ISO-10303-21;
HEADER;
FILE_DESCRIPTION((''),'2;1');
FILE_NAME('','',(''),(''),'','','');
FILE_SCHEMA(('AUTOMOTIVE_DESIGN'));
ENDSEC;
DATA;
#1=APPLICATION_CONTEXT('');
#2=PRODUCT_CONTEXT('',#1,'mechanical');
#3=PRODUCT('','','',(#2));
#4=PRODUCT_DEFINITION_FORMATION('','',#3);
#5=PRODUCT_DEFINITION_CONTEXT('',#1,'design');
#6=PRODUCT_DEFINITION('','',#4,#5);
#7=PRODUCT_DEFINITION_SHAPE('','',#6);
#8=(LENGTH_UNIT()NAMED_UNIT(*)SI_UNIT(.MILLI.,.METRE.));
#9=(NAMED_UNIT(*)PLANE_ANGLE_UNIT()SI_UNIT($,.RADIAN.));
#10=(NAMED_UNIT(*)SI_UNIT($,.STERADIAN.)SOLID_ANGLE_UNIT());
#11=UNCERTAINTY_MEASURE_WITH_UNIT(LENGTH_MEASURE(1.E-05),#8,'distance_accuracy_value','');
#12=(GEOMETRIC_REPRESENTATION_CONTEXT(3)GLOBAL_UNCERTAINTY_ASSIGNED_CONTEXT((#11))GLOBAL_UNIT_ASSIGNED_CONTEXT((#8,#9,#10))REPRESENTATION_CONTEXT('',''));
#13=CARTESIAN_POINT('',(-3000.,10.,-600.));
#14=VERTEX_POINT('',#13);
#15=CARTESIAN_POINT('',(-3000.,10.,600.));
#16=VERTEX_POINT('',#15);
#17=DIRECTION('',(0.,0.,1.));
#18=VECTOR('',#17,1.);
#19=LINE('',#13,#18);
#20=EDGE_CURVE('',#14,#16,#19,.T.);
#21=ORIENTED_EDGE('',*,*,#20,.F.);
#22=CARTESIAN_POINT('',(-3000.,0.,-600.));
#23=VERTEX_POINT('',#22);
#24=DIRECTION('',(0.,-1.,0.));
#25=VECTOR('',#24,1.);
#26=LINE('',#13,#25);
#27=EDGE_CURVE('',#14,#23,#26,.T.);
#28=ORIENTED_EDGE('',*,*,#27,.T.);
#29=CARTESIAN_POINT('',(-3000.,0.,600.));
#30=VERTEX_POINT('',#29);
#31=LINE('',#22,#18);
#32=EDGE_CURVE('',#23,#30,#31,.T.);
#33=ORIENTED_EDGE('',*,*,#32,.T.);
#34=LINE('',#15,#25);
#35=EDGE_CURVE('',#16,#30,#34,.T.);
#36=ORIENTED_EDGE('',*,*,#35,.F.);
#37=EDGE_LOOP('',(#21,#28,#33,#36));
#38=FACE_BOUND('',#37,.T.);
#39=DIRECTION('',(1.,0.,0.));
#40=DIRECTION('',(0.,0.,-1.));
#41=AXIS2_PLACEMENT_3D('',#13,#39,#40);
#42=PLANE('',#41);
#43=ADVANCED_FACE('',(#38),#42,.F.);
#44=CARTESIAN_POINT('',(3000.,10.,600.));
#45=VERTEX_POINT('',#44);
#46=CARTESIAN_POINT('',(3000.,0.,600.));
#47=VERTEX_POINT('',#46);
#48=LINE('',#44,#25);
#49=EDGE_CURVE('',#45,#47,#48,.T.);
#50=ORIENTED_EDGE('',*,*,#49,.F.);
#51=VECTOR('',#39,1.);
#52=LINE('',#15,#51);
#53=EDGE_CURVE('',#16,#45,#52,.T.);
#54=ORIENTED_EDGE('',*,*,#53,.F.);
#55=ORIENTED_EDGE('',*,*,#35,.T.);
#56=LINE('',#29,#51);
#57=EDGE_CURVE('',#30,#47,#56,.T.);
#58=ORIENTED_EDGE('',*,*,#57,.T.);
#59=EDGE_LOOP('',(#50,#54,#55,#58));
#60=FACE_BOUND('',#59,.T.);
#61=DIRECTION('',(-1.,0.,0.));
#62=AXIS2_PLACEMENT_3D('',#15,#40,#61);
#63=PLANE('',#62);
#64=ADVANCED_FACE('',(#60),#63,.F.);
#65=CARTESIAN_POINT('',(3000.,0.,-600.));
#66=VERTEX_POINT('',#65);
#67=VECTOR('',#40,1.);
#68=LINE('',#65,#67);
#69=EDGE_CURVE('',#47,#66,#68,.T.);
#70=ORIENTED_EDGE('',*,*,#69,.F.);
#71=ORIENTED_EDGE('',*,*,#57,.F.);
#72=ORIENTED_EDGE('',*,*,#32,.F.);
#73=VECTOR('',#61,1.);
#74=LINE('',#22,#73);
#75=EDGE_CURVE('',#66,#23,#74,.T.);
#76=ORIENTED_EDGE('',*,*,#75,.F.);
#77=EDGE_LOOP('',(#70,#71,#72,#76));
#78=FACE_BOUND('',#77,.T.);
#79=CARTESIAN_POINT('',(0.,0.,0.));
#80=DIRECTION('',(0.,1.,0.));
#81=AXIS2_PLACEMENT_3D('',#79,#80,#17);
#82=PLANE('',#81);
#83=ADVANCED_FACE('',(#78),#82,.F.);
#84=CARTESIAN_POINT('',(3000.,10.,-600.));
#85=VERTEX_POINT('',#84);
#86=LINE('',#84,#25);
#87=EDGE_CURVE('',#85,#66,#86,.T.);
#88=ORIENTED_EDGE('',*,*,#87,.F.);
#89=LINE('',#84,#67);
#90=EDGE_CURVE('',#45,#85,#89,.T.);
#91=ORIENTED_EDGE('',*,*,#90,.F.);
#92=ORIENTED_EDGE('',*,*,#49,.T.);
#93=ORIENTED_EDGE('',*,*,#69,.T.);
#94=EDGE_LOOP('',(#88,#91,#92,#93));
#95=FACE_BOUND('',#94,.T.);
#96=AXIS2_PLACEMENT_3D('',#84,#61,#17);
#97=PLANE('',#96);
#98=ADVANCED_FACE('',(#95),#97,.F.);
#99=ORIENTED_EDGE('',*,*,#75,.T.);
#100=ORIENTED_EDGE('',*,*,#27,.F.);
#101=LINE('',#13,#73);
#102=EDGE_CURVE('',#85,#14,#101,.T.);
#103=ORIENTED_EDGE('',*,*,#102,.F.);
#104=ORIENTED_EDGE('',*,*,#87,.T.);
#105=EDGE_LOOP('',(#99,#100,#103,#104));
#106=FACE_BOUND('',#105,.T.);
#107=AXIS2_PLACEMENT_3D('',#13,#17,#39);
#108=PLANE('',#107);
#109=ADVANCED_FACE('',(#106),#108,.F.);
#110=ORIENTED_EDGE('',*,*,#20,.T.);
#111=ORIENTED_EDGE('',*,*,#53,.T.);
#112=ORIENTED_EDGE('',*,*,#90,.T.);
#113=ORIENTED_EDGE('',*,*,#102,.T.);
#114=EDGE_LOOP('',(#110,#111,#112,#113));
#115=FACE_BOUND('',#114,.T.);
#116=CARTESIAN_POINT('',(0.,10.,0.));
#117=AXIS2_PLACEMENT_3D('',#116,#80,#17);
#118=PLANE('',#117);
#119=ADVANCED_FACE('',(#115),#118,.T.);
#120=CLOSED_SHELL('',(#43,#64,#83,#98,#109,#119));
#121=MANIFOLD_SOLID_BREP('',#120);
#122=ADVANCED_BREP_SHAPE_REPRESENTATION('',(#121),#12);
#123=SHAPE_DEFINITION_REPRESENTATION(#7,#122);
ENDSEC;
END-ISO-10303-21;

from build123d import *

# Parameters (mm, degrees)
ESQUISSE1_W        = 6000
ESQUISSE1_H        = 1200
BOSS_EXTRU_1_DEPTH = 10


with BuildPart() as part:
    # Esquisse1 → Boss.-Extru.1 (new body)
    with BuildSketch(Plane(origin=(0, 0, 0), x_dir=(1, 0, 0), z_dir=(0, 1, 0))):
        Rectangle(ESQUISSE1_W, ESQUISSE1_H)
    extrude(amount=BOSS_EXTRU_1_DEPTH)


solid = part.part
